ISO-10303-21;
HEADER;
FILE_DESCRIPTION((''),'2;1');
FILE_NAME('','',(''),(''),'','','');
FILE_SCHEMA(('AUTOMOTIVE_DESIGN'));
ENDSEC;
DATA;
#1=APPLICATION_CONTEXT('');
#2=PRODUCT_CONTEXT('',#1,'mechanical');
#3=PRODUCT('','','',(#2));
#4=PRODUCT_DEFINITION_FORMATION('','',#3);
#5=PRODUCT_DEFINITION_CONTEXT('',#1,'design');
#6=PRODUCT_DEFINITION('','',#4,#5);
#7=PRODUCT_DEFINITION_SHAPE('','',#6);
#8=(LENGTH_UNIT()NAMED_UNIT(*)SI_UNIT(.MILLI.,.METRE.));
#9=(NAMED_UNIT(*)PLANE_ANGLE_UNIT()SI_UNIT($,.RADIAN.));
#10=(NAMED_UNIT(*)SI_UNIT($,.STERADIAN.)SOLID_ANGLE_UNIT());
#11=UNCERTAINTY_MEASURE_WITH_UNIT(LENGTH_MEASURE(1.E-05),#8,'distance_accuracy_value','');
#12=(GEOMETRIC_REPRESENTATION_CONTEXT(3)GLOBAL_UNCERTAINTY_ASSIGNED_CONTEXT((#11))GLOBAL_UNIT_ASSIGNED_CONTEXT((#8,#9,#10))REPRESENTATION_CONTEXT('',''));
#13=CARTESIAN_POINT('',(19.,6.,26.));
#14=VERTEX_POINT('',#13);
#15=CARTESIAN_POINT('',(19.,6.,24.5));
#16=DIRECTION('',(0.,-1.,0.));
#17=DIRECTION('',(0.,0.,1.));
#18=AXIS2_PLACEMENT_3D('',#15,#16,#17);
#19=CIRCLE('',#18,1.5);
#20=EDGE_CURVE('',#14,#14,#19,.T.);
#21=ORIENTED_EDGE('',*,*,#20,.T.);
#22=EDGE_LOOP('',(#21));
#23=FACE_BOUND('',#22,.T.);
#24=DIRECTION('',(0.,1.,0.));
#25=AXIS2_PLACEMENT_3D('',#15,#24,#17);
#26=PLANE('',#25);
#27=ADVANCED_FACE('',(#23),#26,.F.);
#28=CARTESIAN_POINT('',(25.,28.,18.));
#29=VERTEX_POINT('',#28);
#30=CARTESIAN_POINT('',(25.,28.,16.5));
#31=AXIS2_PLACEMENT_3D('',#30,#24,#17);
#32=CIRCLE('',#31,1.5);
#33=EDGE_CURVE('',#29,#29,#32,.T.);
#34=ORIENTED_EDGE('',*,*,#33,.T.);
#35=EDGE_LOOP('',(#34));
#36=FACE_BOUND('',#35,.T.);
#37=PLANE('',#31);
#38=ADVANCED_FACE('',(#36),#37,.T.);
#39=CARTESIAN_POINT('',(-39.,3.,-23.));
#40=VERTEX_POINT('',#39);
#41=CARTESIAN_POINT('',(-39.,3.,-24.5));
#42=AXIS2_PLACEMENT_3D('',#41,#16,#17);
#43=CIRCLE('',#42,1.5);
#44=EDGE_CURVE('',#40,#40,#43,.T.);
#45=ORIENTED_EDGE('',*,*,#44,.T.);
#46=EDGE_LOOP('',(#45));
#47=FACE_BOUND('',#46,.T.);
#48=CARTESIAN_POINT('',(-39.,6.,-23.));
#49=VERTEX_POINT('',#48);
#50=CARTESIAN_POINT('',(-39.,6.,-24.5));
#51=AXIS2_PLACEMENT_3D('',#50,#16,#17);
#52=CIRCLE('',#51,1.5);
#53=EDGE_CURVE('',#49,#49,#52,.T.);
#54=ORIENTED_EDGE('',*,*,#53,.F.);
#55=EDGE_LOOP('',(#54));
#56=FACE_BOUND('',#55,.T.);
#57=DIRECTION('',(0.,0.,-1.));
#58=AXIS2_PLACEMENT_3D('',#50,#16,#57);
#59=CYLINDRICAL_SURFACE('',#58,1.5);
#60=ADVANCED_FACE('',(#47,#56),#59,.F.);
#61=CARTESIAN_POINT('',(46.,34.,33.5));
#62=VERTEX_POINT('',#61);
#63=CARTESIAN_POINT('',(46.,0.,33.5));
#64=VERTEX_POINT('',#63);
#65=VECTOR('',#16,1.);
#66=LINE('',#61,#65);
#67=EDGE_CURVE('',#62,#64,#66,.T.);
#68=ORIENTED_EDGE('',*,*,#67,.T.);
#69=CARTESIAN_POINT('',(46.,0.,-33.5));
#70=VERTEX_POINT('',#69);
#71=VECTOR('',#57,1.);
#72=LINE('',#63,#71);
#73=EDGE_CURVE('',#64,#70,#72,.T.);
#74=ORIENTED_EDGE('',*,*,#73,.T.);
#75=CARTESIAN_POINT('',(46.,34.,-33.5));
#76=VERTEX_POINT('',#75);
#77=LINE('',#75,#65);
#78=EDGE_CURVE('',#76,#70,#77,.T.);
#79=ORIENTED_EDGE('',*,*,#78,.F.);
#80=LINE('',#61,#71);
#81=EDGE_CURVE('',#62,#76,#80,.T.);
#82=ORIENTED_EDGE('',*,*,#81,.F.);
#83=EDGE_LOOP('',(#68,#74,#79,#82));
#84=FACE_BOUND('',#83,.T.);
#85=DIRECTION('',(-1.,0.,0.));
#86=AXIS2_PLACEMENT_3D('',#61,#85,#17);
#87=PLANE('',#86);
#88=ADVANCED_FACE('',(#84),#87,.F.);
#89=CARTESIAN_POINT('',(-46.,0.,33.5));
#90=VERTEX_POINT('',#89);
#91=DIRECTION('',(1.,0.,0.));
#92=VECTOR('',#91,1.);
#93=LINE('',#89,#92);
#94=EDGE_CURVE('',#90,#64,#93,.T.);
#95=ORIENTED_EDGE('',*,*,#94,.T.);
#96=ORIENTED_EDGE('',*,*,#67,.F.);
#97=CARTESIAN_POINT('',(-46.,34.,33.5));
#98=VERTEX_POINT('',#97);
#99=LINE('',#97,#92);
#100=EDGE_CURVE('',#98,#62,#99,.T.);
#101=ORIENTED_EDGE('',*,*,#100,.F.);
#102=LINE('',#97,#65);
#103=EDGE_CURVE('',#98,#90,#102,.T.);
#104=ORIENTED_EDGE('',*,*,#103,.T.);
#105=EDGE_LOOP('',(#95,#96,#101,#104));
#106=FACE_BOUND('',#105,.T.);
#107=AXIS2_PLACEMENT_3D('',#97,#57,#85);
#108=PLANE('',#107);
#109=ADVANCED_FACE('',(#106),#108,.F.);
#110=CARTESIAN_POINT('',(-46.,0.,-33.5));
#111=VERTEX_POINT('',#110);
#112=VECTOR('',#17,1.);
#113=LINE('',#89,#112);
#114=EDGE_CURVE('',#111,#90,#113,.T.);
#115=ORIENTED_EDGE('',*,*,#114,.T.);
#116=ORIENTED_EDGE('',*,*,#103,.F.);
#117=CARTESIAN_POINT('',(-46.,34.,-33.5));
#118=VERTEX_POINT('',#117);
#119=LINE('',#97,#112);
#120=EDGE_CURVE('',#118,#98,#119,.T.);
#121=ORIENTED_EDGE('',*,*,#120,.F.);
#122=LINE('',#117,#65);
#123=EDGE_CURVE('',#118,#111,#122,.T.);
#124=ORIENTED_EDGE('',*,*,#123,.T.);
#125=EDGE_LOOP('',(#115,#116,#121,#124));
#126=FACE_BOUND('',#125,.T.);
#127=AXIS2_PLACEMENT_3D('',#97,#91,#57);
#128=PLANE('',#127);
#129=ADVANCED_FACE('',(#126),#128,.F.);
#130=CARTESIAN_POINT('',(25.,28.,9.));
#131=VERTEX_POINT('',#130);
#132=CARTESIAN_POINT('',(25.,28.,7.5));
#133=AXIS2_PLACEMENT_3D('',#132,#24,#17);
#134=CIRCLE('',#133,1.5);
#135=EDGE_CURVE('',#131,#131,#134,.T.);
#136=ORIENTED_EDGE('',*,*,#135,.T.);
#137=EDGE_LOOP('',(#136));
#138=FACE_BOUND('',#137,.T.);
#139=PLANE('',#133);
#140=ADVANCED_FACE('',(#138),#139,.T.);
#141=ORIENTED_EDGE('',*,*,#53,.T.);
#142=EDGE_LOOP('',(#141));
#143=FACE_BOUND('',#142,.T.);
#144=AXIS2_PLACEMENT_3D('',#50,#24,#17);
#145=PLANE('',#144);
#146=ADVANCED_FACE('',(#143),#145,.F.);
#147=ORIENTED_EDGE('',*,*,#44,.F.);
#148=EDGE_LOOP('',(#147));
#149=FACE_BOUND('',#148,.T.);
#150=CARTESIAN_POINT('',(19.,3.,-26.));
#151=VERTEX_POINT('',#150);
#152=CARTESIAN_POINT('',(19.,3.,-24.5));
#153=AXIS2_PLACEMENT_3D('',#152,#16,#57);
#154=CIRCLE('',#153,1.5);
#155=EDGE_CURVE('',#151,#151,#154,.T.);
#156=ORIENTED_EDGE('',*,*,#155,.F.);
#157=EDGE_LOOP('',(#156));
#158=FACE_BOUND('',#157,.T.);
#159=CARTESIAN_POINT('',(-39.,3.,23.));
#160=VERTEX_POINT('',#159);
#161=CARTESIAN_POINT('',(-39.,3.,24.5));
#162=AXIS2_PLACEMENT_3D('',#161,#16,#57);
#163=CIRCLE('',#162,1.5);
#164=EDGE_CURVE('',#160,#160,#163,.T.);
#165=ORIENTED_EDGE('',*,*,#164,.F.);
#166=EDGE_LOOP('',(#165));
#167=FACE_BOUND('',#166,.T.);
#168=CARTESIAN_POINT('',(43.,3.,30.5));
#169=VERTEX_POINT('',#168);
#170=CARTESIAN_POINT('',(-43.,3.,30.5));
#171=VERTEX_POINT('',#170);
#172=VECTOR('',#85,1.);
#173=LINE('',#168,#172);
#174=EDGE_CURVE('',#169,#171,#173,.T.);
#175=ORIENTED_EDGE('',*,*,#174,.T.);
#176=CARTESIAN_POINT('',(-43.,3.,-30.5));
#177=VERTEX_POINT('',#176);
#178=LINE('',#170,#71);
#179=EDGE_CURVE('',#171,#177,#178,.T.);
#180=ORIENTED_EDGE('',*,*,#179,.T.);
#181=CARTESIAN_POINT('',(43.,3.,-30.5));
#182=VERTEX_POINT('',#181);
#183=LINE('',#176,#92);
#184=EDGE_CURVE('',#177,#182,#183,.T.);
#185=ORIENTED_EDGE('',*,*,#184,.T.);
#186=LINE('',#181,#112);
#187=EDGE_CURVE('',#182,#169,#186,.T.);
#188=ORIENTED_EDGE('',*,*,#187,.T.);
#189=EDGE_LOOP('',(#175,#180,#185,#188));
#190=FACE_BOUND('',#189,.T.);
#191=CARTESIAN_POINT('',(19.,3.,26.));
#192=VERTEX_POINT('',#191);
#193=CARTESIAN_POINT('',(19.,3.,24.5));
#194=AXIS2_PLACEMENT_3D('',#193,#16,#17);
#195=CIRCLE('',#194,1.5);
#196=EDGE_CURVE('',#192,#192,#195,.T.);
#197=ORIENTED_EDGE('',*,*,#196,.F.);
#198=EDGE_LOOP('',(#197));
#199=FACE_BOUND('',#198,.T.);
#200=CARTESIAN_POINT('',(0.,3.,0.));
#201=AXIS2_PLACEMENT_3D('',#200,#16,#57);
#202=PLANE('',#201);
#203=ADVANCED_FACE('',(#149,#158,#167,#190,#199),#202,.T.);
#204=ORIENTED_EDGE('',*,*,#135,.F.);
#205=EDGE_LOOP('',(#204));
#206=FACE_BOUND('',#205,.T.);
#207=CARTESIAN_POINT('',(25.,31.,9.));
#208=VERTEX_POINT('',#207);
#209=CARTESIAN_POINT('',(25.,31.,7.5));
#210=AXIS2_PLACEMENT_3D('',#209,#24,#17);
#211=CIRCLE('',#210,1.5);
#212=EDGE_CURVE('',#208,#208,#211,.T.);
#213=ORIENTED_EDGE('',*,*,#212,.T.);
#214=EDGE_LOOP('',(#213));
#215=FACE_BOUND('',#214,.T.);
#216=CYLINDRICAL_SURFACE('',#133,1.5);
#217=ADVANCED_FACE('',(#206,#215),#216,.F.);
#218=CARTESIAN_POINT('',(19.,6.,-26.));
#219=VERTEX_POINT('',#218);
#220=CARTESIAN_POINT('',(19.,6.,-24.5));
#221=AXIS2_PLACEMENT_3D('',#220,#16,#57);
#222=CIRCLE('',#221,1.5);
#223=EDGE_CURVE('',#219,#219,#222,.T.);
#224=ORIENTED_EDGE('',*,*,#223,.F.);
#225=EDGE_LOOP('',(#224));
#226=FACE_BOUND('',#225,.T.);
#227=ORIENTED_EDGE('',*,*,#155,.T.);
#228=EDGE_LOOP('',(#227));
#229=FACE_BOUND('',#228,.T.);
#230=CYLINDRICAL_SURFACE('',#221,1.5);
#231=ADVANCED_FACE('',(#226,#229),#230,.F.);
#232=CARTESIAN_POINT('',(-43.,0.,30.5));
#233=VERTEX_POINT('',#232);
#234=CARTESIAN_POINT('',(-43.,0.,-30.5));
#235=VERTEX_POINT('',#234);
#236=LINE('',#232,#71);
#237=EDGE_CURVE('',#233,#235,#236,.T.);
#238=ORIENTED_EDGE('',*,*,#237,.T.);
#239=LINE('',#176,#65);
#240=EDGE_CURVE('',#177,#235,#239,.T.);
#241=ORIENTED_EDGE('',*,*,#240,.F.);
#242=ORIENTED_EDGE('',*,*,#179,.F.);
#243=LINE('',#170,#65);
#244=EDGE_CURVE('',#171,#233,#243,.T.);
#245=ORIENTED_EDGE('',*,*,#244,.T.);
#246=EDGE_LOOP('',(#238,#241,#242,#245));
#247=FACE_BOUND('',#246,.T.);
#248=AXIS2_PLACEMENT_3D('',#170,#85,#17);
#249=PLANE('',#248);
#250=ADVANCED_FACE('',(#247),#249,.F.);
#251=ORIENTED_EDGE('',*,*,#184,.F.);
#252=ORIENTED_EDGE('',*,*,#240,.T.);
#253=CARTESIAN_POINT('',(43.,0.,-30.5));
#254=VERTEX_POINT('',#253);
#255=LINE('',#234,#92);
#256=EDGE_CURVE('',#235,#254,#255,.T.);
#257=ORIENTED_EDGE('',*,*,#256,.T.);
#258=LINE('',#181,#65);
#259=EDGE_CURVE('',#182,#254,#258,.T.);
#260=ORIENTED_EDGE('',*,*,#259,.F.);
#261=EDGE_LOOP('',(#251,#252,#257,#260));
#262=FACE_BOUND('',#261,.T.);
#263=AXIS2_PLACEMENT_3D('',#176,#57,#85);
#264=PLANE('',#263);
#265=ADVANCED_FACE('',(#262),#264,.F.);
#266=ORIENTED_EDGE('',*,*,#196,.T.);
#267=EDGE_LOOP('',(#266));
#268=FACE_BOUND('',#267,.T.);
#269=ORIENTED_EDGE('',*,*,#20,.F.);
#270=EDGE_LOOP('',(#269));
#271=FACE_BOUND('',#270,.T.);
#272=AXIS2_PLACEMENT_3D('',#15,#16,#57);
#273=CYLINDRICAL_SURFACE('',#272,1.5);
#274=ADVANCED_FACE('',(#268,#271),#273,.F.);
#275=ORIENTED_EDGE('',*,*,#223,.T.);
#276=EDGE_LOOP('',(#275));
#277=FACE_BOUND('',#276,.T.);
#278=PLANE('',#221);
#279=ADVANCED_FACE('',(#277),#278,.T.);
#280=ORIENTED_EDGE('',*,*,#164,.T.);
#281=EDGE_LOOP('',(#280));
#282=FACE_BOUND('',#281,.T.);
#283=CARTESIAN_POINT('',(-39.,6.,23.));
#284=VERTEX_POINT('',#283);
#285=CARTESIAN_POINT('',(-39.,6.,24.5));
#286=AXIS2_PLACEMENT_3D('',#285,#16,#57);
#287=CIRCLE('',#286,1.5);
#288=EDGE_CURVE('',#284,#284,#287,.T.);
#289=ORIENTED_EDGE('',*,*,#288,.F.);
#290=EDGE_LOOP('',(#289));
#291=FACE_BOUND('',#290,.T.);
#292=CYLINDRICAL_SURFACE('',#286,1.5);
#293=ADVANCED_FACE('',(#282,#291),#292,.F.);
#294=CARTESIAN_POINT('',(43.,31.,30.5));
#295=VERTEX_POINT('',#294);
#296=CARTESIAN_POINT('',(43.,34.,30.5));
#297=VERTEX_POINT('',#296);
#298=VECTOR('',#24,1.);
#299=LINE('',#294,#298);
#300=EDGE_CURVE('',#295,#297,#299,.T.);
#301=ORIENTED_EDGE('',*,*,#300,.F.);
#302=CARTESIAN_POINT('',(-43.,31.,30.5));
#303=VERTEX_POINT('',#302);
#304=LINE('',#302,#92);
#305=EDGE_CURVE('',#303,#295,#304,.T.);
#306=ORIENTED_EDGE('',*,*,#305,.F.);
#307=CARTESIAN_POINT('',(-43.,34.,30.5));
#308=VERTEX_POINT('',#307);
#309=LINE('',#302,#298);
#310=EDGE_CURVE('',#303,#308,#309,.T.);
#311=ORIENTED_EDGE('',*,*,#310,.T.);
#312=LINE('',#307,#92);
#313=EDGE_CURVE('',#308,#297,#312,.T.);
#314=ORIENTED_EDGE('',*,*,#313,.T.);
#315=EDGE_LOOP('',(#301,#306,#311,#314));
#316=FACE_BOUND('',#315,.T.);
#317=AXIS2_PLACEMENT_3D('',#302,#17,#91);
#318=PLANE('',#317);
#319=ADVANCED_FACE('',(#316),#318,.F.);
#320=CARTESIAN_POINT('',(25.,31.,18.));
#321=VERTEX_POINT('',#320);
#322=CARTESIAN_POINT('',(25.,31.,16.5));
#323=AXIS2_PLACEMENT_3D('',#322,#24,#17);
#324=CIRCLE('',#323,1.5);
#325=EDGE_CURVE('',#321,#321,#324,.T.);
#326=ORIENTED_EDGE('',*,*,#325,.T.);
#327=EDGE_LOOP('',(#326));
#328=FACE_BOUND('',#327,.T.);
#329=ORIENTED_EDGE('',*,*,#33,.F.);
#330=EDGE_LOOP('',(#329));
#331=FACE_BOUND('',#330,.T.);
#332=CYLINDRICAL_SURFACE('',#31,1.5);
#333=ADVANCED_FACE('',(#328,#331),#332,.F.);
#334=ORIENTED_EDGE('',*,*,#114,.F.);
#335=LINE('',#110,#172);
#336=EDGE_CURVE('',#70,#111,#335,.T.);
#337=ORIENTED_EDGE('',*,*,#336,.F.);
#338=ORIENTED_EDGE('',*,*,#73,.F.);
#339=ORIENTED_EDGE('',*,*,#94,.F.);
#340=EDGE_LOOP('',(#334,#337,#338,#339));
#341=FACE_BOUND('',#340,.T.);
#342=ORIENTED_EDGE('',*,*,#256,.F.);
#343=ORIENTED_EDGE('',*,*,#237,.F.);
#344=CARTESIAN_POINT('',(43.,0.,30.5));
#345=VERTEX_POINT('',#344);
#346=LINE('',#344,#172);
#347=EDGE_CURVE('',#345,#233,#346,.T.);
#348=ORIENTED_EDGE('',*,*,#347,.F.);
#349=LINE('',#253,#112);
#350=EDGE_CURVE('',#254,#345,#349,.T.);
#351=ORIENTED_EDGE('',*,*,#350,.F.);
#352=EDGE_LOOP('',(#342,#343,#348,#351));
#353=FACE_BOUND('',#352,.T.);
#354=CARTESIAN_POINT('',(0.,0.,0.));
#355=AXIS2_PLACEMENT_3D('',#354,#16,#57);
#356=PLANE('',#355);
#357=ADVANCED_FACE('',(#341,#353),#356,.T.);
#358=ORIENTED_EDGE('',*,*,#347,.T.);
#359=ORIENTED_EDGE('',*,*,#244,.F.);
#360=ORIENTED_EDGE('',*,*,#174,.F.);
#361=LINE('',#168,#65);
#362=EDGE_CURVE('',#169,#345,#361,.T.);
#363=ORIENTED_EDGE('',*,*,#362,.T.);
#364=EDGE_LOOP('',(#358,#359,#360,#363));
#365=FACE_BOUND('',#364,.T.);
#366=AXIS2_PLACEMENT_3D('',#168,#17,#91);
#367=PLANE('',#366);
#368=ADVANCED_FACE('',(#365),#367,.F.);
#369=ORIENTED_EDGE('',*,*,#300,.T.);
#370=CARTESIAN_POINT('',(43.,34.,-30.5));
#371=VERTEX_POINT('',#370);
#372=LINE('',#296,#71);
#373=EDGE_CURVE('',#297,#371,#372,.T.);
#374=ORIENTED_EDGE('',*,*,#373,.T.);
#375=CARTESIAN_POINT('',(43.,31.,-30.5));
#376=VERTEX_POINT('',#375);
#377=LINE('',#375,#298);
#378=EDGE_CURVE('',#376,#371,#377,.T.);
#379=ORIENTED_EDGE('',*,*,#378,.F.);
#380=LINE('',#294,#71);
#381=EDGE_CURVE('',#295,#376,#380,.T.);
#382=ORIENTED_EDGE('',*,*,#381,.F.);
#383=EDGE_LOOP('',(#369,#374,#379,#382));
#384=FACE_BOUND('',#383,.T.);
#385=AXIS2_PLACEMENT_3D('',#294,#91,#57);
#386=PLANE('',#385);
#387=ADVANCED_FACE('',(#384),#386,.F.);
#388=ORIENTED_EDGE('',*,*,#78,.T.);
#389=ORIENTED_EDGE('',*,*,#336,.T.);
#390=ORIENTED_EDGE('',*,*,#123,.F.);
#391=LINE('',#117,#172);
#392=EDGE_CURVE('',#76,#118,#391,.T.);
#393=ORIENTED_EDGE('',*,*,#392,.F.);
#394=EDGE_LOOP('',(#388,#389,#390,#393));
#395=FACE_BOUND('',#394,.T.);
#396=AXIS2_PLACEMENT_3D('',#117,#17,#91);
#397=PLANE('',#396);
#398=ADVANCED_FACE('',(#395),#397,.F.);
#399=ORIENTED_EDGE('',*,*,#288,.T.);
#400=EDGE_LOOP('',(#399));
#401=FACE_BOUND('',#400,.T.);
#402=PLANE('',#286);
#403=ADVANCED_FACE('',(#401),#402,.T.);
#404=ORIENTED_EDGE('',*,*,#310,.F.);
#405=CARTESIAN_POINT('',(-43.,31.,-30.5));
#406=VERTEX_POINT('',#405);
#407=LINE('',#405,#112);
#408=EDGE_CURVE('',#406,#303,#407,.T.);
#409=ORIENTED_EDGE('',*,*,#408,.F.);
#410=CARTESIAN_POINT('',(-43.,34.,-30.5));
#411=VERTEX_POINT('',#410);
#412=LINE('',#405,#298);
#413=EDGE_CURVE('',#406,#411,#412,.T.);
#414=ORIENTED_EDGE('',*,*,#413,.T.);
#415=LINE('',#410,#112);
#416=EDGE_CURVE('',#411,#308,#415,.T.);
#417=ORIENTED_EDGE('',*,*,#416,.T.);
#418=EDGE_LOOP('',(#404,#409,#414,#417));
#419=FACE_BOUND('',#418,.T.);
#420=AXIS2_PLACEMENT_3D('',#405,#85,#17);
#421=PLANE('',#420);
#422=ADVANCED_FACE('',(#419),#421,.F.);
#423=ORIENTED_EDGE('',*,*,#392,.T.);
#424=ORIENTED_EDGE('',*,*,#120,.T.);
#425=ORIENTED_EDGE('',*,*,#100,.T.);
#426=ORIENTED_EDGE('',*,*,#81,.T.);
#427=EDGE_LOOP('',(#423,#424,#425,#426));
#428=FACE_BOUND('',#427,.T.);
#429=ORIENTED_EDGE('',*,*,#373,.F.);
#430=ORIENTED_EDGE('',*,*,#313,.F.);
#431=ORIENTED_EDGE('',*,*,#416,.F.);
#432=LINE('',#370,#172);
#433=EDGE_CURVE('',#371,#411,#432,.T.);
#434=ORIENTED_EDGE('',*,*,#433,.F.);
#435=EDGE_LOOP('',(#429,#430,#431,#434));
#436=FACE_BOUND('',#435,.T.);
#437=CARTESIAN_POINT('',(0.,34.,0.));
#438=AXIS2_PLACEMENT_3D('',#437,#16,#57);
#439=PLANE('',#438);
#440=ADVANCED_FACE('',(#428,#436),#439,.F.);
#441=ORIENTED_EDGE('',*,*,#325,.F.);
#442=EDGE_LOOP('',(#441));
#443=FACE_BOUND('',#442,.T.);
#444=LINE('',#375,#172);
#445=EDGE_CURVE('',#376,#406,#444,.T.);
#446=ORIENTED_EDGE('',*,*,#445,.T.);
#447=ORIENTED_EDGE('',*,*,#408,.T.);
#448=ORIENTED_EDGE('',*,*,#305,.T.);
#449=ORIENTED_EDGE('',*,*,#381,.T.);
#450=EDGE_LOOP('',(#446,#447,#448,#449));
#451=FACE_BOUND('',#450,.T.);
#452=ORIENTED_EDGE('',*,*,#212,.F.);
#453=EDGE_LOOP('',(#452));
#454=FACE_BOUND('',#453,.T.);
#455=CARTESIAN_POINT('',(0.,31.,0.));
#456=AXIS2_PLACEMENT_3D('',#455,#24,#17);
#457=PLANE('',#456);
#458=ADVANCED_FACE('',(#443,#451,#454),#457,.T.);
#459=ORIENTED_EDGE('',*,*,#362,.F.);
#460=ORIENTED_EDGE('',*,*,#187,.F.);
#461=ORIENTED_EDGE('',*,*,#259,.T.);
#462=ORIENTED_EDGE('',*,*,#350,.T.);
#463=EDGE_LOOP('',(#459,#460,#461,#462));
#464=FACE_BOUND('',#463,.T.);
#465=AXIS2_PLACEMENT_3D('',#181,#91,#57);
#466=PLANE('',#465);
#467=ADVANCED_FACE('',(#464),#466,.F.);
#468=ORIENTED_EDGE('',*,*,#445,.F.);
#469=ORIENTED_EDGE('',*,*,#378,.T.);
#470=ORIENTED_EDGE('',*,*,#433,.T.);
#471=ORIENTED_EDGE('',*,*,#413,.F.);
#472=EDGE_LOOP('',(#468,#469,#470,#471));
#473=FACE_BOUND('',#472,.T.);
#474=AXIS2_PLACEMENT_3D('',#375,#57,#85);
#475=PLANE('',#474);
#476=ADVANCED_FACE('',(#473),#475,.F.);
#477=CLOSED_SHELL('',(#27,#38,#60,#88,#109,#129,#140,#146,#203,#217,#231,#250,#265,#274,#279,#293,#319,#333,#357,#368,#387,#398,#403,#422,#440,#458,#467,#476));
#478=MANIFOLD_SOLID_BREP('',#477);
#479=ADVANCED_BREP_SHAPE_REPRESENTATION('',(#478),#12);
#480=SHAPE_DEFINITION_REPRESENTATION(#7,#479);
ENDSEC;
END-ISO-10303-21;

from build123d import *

# Parameters (mm, degrees)
SKETCH_1_W          = 92
SKETCH_1_H          = 67
EXTRUDE_1_DEPTH     = 34
SKETCH_2_W          = 86
SKETCH_2_H          = 61
CUT_EXTRUDE_1_DEPTH = 3
SKETCH_3_R          = 1.5
CUT_EXTRUDE_2_DEPTH = 3
SKETCH_4_W          = 86
SKETCH_4_H          = 61
CUT_EXTRUDE_3_DEPTH = 3
SKETCH_5_R          = 1.5
CUT_EXTRUDE_4_DEPTH = 3


with BuildPart() as part:
    # 草图1 → 凸台-拉伸1 (new body)
    with BuildSketch(Plane(origin=(0, 0, 0), x_dir=(1, 0, 0), z_dir=(0, 1, 0))):
        Rectangle(SKETCH_1_W, SKETCH_1_H)
    extrude(amount=EXTRUDE_1_DEPTH)

    # 草图2 → 切除-拉伸1 (cut)
    with BuildSketch(Plane(origin=(0, 34, 0), x_dir=(1, 0, 0), z_dir=(0, 1, 0))):
        Rectangle(SKETCH_2_W, SKETCH_2_H)
    extrude(amount=-CUT_EXTRUDE_1_DEPTH, mode=Mode.SUBTRACT)

    # 草图3 → 切除-拉伸2 (cut)
    with BuildSketch(Plane(origin=(0, 31, 0), x_dir=(1, 0, 0), z_dir=(0, 1, 0))):
        with Locations(Location((25, -16.5, 0), (0, 0, 270))):
            Circle(SKETCH_3_R)
        with Locations(Location((25, -7.5, 0), (0, 0, 270))):
            Circle(SKETCH_3_R)
    extrude(amount=-CUT_EXTRUDE_2_DEPTH, mode=Mode.SUBTRACT)

    # 草图4 → 切除-拉伸3 (cut)
    with BuildSketch(Plane.XZ):
        Rectangle(SKETCH_4_W, SKETCH_4_H)
    extrude(amount=-CUT_EXTRUDE_3_DEPTH, mode=Mode.SUBTRACT)

    # 草图5 → 切除-拉伸4 (cut)
    with BuildSketch(Plane.XZ.offset(-3)):
        with Locations(Location((-39, 24.5, 0), (0, 0, 270))):
            Circle(SKETCH_5_R)
        with Locations(Location((19, 24.5, 0), (0, 0, 90))):
            Circle(SKETCH_5_R)
        with Locations(Location((19, -24.5, 0), (0, 0, 270))):
            Circle(SKETCH_5_R)
        with Locations(Location((-39, -24.5, 0), (0, 0, 90))):
            Circle(SKETCH_5_R)
    extrude(amount=-CUT_EXTRUDE_4_DEPTH, mode=Mode.SUBTRACT)


solid = part.part
